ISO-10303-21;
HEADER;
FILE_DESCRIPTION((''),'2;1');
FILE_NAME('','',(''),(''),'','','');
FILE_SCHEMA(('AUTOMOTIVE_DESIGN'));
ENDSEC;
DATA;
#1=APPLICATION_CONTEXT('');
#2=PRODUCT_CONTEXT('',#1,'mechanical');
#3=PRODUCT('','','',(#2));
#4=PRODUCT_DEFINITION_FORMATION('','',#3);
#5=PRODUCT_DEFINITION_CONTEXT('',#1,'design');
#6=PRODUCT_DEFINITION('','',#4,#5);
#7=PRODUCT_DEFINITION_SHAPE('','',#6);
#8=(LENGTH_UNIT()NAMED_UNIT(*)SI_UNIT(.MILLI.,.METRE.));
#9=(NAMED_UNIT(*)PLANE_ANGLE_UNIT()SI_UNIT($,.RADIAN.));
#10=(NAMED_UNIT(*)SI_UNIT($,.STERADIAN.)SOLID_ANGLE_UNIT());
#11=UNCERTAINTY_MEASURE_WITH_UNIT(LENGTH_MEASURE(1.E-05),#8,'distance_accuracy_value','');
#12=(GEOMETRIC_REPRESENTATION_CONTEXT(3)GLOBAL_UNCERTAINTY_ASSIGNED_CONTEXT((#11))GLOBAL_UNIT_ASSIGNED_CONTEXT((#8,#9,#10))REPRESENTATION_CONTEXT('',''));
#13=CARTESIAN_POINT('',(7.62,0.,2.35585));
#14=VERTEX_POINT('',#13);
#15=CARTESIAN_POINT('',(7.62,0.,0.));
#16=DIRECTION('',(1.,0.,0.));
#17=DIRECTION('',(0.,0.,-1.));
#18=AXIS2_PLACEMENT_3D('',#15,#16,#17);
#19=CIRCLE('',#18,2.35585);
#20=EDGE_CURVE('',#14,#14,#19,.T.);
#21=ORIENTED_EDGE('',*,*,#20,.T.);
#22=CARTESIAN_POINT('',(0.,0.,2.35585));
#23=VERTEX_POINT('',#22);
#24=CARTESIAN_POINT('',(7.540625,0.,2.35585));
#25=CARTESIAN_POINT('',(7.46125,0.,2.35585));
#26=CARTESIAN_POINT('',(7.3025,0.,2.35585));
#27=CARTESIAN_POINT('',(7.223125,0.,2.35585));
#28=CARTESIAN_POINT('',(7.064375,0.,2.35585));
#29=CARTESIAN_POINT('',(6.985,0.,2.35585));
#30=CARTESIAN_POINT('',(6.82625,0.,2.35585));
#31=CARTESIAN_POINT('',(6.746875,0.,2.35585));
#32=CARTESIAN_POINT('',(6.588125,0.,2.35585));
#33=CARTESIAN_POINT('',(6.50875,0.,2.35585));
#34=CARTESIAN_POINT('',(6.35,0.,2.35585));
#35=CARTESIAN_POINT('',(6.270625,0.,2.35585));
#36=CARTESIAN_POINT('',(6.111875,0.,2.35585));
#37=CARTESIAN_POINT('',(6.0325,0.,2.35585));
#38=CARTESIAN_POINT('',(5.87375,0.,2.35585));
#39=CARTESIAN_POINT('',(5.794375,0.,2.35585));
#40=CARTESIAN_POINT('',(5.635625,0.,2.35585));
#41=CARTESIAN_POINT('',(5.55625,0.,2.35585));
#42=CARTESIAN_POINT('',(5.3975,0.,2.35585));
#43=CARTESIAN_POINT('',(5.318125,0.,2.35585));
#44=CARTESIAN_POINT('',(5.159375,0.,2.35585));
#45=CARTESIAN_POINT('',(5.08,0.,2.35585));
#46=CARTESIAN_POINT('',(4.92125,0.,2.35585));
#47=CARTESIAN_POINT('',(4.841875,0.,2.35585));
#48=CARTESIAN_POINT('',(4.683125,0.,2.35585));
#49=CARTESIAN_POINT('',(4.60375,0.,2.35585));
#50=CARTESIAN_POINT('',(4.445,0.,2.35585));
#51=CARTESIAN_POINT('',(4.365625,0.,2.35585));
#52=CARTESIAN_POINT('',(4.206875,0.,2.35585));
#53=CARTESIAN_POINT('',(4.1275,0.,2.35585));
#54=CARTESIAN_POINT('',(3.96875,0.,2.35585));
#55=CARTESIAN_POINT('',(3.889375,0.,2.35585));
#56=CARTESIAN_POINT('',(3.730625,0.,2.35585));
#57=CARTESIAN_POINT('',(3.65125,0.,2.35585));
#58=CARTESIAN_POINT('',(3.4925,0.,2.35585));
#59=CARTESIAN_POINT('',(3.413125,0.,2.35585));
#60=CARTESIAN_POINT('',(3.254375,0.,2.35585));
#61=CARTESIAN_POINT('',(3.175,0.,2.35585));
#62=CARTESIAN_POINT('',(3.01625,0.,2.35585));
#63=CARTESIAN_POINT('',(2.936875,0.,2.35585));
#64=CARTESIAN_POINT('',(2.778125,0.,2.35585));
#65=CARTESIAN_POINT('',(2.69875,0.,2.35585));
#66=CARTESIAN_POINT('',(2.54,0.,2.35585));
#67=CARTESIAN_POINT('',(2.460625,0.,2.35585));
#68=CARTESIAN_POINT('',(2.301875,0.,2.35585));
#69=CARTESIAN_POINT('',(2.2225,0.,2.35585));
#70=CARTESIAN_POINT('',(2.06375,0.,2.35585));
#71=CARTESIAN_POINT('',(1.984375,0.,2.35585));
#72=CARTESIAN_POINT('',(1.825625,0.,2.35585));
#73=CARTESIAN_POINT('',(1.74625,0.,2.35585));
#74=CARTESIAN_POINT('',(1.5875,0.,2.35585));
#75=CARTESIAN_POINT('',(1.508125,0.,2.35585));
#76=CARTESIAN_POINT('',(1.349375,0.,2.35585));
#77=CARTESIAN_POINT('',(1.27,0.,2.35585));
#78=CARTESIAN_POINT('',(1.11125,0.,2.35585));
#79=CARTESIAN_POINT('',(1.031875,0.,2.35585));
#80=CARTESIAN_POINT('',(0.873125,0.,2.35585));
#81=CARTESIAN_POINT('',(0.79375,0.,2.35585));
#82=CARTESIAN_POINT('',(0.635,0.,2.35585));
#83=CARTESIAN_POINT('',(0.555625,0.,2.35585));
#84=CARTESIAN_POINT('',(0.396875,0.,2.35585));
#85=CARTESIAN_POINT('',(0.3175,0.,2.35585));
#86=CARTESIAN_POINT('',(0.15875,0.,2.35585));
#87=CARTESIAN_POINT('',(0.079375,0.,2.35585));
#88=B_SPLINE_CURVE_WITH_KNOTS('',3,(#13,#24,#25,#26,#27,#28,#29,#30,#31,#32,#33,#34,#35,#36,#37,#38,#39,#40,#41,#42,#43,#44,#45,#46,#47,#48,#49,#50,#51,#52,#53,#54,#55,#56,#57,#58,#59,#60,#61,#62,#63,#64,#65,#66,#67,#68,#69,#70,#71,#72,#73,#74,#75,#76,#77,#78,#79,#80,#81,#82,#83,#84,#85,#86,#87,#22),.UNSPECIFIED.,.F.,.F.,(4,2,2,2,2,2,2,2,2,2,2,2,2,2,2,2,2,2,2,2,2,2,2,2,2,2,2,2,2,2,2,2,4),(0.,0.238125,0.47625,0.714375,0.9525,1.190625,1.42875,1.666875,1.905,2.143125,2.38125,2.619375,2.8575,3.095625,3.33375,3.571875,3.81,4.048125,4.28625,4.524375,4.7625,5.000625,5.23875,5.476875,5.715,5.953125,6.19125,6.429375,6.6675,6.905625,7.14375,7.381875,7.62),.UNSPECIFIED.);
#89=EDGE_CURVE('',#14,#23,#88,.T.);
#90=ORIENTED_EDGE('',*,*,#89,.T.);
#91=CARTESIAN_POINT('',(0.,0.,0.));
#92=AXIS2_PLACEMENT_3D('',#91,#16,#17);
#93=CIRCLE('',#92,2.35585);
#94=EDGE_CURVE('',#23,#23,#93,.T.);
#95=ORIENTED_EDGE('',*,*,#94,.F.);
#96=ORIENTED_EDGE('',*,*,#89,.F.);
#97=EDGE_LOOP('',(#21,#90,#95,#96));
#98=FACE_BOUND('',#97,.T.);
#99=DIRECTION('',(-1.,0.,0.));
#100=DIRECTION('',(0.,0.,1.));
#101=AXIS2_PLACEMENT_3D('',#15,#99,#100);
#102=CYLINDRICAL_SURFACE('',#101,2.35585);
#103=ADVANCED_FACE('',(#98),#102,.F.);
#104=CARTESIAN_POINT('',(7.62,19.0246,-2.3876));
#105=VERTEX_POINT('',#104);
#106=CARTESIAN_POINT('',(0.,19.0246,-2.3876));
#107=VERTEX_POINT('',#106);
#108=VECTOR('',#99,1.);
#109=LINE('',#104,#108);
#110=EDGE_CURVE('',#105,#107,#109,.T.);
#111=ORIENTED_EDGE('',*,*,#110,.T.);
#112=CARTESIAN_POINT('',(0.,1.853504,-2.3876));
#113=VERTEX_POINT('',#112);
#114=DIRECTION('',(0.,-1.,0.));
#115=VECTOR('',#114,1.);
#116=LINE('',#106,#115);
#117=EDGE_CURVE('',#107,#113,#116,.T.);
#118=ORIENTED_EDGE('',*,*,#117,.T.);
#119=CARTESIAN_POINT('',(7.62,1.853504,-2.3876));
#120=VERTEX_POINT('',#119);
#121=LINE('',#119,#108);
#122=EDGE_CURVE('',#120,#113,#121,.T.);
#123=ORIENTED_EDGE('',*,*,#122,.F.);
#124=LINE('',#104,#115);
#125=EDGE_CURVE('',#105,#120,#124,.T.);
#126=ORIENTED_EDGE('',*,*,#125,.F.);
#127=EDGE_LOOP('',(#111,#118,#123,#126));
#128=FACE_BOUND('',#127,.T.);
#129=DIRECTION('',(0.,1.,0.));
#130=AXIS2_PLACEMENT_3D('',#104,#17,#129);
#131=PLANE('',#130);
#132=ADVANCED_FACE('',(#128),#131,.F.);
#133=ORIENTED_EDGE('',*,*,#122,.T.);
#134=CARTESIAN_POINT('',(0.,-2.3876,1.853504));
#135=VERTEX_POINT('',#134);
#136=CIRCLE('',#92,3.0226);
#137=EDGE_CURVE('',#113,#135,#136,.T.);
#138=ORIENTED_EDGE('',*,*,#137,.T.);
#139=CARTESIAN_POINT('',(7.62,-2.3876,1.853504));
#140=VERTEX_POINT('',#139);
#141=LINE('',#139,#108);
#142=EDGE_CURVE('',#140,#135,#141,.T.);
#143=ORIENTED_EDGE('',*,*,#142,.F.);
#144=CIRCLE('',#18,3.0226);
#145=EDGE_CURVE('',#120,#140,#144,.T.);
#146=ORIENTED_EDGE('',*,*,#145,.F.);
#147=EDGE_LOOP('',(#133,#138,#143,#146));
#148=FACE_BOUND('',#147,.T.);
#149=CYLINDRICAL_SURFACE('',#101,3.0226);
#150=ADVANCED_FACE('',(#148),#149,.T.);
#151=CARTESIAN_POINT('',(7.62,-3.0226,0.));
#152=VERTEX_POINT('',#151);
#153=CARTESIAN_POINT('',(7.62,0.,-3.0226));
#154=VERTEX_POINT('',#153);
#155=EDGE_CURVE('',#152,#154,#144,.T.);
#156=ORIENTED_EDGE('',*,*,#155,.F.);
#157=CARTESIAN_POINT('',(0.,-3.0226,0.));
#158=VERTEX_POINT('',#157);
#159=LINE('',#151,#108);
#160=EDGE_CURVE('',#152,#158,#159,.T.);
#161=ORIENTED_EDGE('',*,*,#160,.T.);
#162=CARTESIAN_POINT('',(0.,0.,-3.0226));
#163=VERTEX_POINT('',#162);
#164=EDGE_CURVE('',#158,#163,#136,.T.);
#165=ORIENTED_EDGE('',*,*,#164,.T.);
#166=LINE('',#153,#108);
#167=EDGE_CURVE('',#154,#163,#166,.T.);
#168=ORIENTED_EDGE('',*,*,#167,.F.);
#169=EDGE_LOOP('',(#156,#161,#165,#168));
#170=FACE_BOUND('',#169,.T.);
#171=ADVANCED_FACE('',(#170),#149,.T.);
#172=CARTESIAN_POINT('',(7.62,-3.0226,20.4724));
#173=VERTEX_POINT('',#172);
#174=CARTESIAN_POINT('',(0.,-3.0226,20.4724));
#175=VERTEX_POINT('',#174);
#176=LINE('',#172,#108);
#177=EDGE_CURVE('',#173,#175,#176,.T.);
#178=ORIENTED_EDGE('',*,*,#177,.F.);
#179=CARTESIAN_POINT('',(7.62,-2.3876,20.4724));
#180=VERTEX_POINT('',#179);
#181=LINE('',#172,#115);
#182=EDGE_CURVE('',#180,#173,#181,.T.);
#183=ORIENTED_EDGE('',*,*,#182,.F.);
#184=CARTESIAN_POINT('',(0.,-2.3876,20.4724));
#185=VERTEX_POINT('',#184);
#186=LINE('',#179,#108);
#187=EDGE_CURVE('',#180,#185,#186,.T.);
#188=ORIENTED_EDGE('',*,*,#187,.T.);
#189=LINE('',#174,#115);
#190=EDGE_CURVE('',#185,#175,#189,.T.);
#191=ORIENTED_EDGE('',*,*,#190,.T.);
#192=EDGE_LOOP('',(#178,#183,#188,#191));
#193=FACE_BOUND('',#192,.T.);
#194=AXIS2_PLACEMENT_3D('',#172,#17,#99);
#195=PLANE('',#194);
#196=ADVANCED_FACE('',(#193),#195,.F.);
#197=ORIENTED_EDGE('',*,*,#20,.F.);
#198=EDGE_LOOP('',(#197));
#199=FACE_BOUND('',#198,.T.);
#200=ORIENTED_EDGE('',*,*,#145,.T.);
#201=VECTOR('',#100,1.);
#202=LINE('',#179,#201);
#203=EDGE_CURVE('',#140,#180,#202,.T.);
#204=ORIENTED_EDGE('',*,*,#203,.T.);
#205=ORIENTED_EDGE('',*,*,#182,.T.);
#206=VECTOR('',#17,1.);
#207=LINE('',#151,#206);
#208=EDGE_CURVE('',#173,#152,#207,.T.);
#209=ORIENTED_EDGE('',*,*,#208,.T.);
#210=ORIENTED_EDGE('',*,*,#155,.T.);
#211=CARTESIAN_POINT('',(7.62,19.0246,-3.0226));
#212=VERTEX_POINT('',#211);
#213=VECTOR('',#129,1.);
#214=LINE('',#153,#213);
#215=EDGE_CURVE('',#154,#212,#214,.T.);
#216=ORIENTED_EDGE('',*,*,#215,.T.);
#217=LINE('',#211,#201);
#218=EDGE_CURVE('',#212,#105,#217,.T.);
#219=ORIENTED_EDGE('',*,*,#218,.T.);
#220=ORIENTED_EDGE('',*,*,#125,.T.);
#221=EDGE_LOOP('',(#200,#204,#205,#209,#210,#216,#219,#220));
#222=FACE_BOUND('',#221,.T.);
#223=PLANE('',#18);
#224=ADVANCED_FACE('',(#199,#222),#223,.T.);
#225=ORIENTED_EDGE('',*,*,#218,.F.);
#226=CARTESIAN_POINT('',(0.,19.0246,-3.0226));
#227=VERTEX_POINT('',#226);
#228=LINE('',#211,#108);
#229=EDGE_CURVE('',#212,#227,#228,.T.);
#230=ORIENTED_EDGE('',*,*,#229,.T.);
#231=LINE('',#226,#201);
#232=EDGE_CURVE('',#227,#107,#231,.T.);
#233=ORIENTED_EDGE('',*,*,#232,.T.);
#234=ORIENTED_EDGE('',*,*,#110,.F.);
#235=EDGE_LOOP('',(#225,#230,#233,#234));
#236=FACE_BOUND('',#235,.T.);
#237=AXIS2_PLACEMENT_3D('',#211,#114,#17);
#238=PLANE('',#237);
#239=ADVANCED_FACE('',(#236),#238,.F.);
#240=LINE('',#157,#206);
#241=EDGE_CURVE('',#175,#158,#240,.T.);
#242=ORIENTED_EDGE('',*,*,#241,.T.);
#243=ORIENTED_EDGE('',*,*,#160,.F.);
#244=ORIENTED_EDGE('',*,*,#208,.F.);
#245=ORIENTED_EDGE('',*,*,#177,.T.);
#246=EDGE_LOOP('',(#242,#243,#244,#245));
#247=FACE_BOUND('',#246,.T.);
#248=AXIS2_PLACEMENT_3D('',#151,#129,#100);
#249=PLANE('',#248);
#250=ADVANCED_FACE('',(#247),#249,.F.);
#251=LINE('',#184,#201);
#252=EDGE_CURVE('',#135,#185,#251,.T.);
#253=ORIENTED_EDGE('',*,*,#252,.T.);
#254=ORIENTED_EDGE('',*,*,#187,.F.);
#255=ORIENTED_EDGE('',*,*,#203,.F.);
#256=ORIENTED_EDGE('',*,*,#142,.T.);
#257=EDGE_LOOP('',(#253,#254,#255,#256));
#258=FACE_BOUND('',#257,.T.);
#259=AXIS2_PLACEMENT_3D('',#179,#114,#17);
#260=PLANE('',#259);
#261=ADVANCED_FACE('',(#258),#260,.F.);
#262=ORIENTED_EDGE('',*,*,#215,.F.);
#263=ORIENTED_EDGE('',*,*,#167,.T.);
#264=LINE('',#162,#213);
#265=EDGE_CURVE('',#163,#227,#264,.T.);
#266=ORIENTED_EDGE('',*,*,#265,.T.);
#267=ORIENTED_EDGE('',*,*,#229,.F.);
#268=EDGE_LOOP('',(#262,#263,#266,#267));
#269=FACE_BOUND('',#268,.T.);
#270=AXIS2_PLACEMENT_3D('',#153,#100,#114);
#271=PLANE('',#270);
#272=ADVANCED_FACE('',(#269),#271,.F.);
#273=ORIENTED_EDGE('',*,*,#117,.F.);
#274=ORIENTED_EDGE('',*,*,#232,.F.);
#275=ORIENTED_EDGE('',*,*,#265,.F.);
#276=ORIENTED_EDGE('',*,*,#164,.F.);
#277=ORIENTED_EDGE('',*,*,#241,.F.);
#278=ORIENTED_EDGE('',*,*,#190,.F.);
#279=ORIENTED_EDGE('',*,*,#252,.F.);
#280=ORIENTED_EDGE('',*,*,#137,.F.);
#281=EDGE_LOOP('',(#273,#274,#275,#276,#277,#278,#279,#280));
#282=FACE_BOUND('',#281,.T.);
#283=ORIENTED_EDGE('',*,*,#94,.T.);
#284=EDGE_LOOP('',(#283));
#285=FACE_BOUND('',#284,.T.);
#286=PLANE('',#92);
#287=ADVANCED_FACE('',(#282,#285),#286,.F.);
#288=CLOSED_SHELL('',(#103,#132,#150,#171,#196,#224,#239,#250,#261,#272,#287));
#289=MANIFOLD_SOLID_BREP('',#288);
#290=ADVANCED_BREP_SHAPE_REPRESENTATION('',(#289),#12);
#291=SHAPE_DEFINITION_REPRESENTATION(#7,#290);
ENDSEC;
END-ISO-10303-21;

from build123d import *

# Parameters (mm, degrees)
SKETCH1_R           = 2.35585
BOSS_EXTRUDE1_DEPTH = 7.62


with BuildPart() as part:
    # Sketch1 → Boss-Extrude1 (new body)
    with BuildSketch(Plane(origin=(0, 0, 0), x_dir=(0, 0, -1), z_dir=(1, 0, 0))):
        with BuildLine():
            Line((3.0226, 0), (3.0226, 19.0246))
            Line((3.0226, 19.0246), (2.3876, 19.0246))
            Line((2.3876, 19.0246), (2.3876, 1.853503979))
            ThreePointArc((2.3876, 1.853503979), (-2.137300957, 2.137300957), (-1.853503979, -2.3876))
            Line((-1.853503979, -2.3876), (-20.4724, -2.3876))
            Line((-20.4724, -2.3876), (-20.4724, -3.0226))
            Line((-20.4724, -3.0226), (0, -3.0226))
            ThreePointArc((0, -3.0226), (2.137300957, -2.137300957), (3.0226, 0))
        make_face()
        with Locations(Location((0, 0, 0), (0, 0, 180))):
            Circle(SKETCH1_R, mode=Mode.SUBTRACT)
    extrude(amount=BOSS_EXTRUDE1_DEPTH)


solid = part.part
